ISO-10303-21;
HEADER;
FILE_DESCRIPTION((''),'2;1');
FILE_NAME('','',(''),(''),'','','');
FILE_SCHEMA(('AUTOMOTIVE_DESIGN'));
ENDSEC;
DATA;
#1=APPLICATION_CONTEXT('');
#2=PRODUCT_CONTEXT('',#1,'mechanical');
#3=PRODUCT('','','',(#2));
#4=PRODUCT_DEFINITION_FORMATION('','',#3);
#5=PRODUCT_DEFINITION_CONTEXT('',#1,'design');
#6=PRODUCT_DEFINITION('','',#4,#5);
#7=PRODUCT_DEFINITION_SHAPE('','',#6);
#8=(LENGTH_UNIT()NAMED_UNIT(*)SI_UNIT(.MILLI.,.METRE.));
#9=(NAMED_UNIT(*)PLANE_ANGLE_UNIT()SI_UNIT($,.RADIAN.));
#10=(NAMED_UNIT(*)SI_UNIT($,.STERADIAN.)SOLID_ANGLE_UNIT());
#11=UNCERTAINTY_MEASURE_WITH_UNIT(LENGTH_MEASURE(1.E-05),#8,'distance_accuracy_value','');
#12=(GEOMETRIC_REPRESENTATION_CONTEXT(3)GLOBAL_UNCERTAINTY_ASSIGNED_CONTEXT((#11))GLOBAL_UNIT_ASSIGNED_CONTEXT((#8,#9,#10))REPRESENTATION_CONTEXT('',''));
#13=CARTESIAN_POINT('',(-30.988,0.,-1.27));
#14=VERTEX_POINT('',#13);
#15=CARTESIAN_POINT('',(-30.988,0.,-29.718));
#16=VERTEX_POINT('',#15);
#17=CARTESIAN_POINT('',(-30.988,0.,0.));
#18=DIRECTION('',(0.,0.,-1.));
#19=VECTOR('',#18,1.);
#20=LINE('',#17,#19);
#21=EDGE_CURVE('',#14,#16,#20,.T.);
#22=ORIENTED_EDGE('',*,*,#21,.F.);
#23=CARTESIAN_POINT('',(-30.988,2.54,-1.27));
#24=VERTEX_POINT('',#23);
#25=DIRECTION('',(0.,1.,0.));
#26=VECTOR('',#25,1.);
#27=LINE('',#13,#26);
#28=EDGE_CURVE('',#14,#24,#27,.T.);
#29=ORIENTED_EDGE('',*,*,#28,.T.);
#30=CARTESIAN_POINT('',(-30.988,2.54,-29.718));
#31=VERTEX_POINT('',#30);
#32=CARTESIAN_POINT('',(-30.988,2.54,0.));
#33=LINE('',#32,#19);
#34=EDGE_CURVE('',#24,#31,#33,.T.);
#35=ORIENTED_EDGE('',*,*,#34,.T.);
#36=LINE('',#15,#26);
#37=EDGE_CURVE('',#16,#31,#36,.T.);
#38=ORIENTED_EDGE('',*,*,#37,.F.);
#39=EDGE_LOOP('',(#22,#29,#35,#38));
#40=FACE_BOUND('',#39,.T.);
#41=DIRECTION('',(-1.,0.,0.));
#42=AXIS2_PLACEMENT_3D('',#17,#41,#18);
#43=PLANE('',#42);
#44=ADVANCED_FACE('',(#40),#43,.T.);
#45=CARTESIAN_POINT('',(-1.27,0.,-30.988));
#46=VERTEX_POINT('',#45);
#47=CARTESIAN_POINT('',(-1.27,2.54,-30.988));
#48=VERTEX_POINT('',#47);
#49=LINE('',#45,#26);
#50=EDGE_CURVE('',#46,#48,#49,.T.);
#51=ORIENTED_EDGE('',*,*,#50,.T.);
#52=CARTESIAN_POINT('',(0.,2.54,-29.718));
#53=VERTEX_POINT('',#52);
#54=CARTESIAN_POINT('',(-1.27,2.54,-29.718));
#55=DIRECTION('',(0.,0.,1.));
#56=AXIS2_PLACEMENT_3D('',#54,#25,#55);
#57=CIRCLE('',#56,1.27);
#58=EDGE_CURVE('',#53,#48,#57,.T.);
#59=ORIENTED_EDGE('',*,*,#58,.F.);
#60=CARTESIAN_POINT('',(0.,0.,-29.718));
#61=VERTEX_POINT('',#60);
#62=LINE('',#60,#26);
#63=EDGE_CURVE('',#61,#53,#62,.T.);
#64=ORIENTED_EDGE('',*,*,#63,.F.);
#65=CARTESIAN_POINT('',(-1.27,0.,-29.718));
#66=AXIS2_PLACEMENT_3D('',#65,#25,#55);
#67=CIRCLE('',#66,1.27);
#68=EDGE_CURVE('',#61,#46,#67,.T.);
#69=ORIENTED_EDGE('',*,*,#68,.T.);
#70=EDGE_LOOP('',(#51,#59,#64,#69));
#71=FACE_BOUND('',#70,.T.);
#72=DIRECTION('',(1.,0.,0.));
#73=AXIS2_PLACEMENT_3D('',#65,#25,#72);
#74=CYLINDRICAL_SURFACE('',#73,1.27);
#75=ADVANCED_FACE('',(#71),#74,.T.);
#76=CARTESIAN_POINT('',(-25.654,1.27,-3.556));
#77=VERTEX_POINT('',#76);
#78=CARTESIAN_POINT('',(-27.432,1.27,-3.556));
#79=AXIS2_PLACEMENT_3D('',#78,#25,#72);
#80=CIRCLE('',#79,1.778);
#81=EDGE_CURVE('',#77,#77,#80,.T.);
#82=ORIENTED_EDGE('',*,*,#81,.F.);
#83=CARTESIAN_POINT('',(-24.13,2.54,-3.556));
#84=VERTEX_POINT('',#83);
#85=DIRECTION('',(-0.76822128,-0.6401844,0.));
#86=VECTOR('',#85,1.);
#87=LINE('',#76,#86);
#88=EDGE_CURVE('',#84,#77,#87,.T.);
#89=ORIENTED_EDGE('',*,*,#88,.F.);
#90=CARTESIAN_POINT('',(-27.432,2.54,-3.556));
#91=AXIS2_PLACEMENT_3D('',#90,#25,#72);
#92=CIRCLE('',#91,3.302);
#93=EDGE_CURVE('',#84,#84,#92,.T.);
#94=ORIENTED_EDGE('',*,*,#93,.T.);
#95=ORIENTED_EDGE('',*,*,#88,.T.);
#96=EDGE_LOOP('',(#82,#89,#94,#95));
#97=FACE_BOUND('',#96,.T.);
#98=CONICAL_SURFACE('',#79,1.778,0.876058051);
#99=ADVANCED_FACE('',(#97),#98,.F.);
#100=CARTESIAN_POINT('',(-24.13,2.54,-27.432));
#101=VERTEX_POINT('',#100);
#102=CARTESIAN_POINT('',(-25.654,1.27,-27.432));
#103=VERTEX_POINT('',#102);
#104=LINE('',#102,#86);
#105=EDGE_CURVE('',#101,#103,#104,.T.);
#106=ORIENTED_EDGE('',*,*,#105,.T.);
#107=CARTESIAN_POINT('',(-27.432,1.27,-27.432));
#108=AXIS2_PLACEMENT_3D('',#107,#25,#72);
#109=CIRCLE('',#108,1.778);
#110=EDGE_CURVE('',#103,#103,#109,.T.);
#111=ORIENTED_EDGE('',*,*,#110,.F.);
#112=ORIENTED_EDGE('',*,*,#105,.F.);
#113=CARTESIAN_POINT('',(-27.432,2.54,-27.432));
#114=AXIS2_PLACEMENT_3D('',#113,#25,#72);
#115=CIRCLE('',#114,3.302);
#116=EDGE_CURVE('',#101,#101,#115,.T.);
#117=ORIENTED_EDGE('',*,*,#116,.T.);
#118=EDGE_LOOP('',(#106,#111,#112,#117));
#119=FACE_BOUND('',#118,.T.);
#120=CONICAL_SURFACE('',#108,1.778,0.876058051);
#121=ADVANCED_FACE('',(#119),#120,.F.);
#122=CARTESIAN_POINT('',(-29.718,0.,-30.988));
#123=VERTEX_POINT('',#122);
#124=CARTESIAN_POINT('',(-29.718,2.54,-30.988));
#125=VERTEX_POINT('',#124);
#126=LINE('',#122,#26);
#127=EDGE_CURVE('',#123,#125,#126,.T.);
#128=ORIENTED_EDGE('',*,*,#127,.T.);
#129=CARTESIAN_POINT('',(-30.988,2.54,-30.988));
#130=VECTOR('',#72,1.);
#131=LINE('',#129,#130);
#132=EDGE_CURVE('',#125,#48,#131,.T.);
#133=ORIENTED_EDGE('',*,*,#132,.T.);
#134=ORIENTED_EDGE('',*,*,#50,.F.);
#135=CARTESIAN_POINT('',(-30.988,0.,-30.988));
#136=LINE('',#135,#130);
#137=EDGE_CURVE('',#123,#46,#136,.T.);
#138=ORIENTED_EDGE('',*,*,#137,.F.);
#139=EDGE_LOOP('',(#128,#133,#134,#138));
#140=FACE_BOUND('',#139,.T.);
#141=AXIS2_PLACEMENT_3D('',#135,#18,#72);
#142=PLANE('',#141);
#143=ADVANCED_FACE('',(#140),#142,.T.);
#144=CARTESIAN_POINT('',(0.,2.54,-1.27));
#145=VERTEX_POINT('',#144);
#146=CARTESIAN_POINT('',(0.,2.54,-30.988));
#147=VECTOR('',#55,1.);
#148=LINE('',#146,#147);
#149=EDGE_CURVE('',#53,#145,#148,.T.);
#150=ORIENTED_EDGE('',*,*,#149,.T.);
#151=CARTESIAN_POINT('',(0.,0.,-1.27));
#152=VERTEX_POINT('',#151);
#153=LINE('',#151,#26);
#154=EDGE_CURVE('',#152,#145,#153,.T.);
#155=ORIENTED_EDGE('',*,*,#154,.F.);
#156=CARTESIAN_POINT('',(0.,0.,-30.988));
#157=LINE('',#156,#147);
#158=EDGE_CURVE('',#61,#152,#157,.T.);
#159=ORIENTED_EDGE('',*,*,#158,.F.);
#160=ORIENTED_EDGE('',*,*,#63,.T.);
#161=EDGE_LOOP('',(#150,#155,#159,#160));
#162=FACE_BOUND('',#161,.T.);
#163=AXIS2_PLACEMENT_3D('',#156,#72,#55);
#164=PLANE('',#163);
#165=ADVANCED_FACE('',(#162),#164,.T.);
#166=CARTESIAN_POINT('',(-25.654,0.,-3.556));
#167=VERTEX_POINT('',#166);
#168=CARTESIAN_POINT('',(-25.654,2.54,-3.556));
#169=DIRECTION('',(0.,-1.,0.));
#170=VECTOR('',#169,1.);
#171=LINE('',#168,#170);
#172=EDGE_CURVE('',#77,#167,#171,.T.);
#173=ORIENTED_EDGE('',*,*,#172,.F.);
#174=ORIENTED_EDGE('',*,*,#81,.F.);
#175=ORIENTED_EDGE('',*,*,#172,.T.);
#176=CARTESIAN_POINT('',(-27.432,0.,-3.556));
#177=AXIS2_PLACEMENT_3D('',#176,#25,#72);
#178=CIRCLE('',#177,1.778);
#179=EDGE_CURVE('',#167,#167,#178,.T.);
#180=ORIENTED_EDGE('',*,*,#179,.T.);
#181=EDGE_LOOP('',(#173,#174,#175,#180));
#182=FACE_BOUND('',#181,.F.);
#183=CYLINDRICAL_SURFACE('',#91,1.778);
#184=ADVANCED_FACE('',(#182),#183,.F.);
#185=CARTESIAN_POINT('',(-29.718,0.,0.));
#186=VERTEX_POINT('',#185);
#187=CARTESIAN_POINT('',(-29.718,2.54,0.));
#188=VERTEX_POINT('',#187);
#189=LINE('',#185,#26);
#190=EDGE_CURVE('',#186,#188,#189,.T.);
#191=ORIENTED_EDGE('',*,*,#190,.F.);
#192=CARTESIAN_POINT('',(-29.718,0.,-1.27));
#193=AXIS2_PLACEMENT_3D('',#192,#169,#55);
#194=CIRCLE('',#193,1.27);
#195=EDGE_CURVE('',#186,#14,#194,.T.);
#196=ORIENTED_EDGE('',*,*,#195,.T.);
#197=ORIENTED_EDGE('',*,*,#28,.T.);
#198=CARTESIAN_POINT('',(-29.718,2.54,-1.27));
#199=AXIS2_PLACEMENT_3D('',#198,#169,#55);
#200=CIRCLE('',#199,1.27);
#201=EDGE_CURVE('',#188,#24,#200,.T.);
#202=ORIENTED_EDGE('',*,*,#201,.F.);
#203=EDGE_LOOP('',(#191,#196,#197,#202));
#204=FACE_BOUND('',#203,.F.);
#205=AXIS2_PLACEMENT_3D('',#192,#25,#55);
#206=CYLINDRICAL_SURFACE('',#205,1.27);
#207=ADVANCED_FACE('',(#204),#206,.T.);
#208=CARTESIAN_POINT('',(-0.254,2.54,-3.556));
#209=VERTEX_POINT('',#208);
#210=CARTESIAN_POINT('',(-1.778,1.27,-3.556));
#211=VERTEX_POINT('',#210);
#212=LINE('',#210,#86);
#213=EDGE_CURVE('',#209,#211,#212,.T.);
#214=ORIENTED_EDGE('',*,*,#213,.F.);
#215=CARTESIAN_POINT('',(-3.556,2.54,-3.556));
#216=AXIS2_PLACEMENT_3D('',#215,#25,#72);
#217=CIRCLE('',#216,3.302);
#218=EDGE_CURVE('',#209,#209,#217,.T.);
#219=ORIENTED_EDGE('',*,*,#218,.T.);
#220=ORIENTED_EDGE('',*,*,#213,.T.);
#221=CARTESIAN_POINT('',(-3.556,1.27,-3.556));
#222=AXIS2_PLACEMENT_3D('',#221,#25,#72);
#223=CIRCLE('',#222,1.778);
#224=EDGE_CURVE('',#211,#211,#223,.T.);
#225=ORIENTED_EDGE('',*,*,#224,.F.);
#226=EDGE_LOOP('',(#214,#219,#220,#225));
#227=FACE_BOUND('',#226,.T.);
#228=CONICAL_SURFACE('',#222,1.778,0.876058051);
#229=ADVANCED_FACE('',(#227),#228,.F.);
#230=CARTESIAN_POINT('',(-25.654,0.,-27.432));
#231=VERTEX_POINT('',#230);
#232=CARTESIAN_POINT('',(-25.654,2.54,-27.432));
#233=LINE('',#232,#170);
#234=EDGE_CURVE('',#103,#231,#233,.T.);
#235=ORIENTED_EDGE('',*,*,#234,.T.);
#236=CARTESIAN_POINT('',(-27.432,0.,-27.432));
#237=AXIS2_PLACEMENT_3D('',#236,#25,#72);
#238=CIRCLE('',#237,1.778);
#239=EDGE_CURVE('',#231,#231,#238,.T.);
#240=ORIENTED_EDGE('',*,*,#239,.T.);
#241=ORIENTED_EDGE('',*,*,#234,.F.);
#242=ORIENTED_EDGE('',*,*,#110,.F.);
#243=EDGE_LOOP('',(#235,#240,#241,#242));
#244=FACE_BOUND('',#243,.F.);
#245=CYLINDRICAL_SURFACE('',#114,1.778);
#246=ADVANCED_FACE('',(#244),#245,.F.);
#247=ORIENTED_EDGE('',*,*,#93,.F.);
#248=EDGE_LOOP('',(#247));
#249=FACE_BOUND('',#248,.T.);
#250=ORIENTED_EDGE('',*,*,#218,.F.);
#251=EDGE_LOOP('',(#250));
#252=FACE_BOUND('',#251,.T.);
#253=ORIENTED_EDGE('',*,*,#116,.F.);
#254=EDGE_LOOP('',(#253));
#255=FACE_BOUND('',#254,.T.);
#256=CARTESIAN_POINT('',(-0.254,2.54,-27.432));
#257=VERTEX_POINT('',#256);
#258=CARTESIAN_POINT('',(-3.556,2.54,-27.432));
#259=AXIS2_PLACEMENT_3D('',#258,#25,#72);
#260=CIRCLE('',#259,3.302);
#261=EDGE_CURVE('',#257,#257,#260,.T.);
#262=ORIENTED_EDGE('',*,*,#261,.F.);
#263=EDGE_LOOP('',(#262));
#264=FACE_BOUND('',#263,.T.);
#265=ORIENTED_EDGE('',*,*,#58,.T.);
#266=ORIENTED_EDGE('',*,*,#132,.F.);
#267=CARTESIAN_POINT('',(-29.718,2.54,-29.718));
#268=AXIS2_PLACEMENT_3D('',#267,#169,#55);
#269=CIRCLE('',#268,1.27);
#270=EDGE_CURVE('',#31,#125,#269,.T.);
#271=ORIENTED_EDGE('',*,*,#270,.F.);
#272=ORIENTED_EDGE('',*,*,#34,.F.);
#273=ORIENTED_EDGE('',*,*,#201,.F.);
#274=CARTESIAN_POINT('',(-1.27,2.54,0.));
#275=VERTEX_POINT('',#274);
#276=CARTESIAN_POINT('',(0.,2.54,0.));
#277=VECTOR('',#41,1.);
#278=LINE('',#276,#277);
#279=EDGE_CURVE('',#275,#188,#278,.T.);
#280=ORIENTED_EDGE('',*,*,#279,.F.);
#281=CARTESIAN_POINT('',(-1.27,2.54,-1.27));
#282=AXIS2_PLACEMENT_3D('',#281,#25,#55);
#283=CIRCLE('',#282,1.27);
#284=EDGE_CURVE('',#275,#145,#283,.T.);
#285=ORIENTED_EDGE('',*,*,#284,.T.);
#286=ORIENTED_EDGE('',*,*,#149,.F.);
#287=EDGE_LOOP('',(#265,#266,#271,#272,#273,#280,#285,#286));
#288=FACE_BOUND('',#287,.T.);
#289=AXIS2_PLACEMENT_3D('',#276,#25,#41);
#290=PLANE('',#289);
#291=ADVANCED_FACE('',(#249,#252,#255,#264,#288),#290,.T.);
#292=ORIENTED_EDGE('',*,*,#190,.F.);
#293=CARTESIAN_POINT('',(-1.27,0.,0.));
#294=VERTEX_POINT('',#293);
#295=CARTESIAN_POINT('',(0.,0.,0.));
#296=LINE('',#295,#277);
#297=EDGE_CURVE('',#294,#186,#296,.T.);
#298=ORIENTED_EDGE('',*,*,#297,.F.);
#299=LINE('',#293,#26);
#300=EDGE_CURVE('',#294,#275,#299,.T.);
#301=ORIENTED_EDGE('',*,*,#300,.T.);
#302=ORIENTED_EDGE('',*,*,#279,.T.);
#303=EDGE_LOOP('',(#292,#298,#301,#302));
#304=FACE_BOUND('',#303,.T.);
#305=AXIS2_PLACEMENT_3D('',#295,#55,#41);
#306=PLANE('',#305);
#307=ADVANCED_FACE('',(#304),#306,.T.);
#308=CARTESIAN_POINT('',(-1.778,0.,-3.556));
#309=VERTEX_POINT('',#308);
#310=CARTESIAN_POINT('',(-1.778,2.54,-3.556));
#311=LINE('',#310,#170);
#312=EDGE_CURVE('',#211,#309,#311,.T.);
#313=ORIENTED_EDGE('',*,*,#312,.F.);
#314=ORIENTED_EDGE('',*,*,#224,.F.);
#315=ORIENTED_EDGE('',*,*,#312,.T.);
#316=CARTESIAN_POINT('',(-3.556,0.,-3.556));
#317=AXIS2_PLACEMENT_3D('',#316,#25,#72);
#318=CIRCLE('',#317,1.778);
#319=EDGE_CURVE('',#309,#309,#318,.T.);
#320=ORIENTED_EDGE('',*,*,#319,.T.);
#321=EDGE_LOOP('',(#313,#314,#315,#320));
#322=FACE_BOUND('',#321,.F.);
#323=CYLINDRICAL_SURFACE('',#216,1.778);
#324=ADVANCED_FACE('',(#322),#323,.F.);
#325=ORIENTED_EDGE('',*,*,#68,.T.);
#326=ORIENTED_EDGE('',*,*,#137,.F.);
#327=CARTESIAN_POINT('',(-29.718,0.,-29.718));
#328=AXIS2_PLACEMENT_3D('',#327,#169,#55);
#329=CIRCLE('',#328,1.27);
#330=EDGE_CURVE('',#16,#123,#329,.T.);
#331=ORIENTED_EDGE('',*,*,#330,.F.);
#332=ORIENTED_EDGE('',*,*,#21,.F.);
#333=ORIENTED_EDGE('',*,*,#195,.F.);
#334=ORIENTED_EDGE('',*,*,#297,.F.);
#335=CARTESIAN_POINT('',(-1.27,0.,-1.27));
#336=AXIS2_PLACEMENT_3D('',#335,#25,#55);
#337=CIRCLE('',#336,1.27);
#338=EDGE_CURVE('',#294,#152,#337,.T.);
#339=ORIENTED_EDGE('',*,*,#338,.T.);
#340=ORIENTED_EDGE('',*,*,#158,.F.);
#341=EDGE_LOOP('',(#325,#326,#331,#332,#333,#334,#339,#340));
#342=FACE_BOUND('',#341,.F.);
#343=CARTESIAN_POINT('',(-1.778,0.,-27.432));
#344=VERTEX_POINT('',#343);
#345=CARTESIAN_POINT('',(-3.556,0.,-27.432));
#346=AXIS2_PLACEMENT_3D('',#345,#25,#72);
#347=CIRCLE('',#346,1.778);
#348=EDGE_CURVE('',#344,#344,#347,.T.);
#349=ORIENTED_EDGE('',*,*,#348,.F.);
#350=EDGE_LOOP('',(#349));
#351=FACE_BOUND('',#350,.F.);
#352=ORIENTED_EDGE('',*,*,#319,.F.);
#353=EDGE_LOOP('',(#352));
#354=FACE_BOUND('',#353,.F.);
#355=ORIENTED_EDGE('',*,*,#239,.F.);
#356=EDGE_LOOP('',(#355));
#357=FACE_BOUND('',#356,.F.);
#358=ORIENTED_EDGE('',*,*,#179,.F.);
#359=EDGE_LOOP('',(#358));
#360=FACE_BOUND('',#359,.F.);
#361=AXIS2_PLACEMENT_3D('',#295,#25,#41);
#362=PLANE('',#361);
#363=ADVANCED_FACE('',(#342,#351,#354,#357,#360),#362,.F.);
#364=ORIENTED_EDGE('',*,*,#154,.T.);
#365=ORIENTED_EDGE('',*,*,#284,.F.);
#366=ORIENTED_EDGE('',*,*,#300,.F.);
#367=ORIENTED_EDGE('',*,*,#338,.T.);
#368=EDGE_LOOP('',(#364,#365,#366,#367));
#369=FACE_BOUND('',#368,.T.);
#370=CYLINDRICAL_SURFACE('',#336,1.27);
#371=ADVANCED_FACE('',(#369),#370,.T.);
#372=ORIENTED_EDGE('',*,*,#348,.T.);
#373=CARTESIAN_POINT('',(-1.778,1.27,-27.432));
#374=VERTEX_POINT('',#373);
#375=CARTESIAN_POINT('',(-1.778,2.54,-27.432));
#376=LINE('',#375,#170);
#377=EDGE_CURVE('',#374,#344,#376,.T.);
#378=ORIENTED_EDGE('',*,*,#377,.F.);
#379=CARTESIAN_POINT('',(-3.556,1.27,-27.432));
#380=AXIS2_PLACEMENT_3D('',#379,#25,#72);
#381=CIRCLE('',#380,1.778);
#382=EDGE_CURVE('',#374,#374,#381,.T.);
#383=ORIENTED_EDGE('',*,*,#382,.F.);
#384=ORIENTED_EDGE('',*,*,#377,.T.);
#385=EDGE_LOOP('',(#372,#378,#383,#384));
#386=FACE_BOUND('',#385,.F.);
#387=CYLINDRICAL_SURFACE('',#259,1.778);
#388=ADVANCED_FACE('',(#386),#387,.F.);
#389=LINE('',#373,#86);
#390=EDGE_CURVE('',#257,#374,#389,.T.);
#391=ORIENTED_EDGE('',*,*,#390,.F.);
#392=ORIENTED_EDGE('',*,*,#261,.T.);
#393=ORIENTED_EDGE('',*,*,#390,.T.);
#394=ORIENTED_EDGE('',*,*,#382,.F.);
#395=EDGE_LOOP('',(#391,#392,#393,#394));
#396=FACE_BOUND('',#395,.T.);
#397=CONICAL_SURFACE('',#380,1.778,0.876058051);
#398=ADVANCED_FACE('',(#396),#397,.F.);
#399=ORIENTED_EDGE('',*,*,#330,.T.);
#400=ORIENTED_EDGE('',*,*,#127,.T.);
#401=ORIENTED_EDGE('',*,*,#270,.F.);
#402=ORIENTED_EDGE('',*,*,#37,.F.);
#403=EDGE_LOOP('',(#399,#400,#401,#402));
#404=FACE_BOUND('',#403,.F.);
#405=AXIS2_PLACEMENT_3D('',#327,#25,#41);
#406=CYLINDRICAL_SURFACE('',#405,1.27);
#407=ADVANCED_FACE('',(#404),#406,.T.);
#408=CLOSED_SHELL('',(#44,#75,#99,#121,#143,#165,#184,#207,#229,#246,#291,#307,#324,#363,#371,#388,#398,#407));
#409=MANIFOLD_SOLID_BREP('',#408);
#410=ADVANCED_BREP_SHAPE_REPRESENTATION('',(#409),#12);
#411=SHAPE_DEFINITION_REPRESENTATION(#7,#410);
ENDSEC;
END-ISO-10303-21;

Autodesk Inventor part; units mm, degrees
ref_plane "YZ Plane" through (0, 0, 0) normal (1, 0, 0) x (0, 1, 0)
ref_plane "XZ Plane" through (0, 0, 0) normal (0, 1, 0) x (-1, 0, 0)
ref_plane "XY Plane" through (0, 0, 0) normal (0, 0, 1) x (1, 0, 0)
sketch "Sketch1" plane through (0, 0, 0) normal (0, 1, 0) x (-1, 0, 0)
  line L0 (0, 0) -> (30.988, 0)
  line L1 (30.988, 0) -> (30.988, -30.988)
  line L2 (30.988, -30.988) -> (0, -30.988)
  line L3 (0, -30.988) -> (0, 0)
  dimension "d0" = 30.988
  dimension "d1" = 30.988
extrude "Extrusion1" add sketch "Sketch1" along normal blind 2.54
sketch "Sketch2" plane through (0, 2.54, 0) normal (0, 1, 0) x (1, 0, 0)
  circle A0 centre (-3.556, 3.556) radius 1.778
  line L0 (0, 0) -> (0, 30.988) projected
  line L1 (-30.988, 0) -> (0, 0) projected
  circle A1 centre (-27.432, 3.556) radius 1.778
  circle A2 centre (-3.556, 27.432) radius 1.778
  circle A3 centre (-27.432, 27.432) radius 1.778
  dimension "d4" = 3.556
  dimension "d5" = 3.556
  dimension "d6" = 3.556
  dimension "d9" = 23.876
  dimension "d12" = 23.876
extrude "Extrusion2" cut sketch "Sketch2" against normal blind 2.54
chamfer "Chamfer1" distance 1.524 distance2 1.27 1 edges at (-29.21, 2.54, -3.556) measured on face at (-11.9583, 2.54, -19.0803)
chamfer "Chamfer2" distance 1.524 distance2 1.27 1 edges at (-5.334, 2.54, -3.556) measured on face at (-18.6495, 2.54, -19.4172)
chamfer "Chamfer3" distance 1.524 distance2 1.27 1 edges at (-5.334, 2.54, -27.432) measured on face at (-18.6495, 2.54, -19.4172)
chamfer "Chamfer4" distance 1.524 distance2 1.27 1 edges at (-29.21, 2.54, -27.432) measured on face at (-19.2283, 2.54, -19.2563)
fillet "Fillet1" radius 1.27 4 edges at (0, 1.27, 0) (0, 1.27, -30.988) (-30.988, 1.27, -30.988) (-30.988, 1.27, 0)
properties part number "ForeAftMountPlate" material "ABS Plastic"
